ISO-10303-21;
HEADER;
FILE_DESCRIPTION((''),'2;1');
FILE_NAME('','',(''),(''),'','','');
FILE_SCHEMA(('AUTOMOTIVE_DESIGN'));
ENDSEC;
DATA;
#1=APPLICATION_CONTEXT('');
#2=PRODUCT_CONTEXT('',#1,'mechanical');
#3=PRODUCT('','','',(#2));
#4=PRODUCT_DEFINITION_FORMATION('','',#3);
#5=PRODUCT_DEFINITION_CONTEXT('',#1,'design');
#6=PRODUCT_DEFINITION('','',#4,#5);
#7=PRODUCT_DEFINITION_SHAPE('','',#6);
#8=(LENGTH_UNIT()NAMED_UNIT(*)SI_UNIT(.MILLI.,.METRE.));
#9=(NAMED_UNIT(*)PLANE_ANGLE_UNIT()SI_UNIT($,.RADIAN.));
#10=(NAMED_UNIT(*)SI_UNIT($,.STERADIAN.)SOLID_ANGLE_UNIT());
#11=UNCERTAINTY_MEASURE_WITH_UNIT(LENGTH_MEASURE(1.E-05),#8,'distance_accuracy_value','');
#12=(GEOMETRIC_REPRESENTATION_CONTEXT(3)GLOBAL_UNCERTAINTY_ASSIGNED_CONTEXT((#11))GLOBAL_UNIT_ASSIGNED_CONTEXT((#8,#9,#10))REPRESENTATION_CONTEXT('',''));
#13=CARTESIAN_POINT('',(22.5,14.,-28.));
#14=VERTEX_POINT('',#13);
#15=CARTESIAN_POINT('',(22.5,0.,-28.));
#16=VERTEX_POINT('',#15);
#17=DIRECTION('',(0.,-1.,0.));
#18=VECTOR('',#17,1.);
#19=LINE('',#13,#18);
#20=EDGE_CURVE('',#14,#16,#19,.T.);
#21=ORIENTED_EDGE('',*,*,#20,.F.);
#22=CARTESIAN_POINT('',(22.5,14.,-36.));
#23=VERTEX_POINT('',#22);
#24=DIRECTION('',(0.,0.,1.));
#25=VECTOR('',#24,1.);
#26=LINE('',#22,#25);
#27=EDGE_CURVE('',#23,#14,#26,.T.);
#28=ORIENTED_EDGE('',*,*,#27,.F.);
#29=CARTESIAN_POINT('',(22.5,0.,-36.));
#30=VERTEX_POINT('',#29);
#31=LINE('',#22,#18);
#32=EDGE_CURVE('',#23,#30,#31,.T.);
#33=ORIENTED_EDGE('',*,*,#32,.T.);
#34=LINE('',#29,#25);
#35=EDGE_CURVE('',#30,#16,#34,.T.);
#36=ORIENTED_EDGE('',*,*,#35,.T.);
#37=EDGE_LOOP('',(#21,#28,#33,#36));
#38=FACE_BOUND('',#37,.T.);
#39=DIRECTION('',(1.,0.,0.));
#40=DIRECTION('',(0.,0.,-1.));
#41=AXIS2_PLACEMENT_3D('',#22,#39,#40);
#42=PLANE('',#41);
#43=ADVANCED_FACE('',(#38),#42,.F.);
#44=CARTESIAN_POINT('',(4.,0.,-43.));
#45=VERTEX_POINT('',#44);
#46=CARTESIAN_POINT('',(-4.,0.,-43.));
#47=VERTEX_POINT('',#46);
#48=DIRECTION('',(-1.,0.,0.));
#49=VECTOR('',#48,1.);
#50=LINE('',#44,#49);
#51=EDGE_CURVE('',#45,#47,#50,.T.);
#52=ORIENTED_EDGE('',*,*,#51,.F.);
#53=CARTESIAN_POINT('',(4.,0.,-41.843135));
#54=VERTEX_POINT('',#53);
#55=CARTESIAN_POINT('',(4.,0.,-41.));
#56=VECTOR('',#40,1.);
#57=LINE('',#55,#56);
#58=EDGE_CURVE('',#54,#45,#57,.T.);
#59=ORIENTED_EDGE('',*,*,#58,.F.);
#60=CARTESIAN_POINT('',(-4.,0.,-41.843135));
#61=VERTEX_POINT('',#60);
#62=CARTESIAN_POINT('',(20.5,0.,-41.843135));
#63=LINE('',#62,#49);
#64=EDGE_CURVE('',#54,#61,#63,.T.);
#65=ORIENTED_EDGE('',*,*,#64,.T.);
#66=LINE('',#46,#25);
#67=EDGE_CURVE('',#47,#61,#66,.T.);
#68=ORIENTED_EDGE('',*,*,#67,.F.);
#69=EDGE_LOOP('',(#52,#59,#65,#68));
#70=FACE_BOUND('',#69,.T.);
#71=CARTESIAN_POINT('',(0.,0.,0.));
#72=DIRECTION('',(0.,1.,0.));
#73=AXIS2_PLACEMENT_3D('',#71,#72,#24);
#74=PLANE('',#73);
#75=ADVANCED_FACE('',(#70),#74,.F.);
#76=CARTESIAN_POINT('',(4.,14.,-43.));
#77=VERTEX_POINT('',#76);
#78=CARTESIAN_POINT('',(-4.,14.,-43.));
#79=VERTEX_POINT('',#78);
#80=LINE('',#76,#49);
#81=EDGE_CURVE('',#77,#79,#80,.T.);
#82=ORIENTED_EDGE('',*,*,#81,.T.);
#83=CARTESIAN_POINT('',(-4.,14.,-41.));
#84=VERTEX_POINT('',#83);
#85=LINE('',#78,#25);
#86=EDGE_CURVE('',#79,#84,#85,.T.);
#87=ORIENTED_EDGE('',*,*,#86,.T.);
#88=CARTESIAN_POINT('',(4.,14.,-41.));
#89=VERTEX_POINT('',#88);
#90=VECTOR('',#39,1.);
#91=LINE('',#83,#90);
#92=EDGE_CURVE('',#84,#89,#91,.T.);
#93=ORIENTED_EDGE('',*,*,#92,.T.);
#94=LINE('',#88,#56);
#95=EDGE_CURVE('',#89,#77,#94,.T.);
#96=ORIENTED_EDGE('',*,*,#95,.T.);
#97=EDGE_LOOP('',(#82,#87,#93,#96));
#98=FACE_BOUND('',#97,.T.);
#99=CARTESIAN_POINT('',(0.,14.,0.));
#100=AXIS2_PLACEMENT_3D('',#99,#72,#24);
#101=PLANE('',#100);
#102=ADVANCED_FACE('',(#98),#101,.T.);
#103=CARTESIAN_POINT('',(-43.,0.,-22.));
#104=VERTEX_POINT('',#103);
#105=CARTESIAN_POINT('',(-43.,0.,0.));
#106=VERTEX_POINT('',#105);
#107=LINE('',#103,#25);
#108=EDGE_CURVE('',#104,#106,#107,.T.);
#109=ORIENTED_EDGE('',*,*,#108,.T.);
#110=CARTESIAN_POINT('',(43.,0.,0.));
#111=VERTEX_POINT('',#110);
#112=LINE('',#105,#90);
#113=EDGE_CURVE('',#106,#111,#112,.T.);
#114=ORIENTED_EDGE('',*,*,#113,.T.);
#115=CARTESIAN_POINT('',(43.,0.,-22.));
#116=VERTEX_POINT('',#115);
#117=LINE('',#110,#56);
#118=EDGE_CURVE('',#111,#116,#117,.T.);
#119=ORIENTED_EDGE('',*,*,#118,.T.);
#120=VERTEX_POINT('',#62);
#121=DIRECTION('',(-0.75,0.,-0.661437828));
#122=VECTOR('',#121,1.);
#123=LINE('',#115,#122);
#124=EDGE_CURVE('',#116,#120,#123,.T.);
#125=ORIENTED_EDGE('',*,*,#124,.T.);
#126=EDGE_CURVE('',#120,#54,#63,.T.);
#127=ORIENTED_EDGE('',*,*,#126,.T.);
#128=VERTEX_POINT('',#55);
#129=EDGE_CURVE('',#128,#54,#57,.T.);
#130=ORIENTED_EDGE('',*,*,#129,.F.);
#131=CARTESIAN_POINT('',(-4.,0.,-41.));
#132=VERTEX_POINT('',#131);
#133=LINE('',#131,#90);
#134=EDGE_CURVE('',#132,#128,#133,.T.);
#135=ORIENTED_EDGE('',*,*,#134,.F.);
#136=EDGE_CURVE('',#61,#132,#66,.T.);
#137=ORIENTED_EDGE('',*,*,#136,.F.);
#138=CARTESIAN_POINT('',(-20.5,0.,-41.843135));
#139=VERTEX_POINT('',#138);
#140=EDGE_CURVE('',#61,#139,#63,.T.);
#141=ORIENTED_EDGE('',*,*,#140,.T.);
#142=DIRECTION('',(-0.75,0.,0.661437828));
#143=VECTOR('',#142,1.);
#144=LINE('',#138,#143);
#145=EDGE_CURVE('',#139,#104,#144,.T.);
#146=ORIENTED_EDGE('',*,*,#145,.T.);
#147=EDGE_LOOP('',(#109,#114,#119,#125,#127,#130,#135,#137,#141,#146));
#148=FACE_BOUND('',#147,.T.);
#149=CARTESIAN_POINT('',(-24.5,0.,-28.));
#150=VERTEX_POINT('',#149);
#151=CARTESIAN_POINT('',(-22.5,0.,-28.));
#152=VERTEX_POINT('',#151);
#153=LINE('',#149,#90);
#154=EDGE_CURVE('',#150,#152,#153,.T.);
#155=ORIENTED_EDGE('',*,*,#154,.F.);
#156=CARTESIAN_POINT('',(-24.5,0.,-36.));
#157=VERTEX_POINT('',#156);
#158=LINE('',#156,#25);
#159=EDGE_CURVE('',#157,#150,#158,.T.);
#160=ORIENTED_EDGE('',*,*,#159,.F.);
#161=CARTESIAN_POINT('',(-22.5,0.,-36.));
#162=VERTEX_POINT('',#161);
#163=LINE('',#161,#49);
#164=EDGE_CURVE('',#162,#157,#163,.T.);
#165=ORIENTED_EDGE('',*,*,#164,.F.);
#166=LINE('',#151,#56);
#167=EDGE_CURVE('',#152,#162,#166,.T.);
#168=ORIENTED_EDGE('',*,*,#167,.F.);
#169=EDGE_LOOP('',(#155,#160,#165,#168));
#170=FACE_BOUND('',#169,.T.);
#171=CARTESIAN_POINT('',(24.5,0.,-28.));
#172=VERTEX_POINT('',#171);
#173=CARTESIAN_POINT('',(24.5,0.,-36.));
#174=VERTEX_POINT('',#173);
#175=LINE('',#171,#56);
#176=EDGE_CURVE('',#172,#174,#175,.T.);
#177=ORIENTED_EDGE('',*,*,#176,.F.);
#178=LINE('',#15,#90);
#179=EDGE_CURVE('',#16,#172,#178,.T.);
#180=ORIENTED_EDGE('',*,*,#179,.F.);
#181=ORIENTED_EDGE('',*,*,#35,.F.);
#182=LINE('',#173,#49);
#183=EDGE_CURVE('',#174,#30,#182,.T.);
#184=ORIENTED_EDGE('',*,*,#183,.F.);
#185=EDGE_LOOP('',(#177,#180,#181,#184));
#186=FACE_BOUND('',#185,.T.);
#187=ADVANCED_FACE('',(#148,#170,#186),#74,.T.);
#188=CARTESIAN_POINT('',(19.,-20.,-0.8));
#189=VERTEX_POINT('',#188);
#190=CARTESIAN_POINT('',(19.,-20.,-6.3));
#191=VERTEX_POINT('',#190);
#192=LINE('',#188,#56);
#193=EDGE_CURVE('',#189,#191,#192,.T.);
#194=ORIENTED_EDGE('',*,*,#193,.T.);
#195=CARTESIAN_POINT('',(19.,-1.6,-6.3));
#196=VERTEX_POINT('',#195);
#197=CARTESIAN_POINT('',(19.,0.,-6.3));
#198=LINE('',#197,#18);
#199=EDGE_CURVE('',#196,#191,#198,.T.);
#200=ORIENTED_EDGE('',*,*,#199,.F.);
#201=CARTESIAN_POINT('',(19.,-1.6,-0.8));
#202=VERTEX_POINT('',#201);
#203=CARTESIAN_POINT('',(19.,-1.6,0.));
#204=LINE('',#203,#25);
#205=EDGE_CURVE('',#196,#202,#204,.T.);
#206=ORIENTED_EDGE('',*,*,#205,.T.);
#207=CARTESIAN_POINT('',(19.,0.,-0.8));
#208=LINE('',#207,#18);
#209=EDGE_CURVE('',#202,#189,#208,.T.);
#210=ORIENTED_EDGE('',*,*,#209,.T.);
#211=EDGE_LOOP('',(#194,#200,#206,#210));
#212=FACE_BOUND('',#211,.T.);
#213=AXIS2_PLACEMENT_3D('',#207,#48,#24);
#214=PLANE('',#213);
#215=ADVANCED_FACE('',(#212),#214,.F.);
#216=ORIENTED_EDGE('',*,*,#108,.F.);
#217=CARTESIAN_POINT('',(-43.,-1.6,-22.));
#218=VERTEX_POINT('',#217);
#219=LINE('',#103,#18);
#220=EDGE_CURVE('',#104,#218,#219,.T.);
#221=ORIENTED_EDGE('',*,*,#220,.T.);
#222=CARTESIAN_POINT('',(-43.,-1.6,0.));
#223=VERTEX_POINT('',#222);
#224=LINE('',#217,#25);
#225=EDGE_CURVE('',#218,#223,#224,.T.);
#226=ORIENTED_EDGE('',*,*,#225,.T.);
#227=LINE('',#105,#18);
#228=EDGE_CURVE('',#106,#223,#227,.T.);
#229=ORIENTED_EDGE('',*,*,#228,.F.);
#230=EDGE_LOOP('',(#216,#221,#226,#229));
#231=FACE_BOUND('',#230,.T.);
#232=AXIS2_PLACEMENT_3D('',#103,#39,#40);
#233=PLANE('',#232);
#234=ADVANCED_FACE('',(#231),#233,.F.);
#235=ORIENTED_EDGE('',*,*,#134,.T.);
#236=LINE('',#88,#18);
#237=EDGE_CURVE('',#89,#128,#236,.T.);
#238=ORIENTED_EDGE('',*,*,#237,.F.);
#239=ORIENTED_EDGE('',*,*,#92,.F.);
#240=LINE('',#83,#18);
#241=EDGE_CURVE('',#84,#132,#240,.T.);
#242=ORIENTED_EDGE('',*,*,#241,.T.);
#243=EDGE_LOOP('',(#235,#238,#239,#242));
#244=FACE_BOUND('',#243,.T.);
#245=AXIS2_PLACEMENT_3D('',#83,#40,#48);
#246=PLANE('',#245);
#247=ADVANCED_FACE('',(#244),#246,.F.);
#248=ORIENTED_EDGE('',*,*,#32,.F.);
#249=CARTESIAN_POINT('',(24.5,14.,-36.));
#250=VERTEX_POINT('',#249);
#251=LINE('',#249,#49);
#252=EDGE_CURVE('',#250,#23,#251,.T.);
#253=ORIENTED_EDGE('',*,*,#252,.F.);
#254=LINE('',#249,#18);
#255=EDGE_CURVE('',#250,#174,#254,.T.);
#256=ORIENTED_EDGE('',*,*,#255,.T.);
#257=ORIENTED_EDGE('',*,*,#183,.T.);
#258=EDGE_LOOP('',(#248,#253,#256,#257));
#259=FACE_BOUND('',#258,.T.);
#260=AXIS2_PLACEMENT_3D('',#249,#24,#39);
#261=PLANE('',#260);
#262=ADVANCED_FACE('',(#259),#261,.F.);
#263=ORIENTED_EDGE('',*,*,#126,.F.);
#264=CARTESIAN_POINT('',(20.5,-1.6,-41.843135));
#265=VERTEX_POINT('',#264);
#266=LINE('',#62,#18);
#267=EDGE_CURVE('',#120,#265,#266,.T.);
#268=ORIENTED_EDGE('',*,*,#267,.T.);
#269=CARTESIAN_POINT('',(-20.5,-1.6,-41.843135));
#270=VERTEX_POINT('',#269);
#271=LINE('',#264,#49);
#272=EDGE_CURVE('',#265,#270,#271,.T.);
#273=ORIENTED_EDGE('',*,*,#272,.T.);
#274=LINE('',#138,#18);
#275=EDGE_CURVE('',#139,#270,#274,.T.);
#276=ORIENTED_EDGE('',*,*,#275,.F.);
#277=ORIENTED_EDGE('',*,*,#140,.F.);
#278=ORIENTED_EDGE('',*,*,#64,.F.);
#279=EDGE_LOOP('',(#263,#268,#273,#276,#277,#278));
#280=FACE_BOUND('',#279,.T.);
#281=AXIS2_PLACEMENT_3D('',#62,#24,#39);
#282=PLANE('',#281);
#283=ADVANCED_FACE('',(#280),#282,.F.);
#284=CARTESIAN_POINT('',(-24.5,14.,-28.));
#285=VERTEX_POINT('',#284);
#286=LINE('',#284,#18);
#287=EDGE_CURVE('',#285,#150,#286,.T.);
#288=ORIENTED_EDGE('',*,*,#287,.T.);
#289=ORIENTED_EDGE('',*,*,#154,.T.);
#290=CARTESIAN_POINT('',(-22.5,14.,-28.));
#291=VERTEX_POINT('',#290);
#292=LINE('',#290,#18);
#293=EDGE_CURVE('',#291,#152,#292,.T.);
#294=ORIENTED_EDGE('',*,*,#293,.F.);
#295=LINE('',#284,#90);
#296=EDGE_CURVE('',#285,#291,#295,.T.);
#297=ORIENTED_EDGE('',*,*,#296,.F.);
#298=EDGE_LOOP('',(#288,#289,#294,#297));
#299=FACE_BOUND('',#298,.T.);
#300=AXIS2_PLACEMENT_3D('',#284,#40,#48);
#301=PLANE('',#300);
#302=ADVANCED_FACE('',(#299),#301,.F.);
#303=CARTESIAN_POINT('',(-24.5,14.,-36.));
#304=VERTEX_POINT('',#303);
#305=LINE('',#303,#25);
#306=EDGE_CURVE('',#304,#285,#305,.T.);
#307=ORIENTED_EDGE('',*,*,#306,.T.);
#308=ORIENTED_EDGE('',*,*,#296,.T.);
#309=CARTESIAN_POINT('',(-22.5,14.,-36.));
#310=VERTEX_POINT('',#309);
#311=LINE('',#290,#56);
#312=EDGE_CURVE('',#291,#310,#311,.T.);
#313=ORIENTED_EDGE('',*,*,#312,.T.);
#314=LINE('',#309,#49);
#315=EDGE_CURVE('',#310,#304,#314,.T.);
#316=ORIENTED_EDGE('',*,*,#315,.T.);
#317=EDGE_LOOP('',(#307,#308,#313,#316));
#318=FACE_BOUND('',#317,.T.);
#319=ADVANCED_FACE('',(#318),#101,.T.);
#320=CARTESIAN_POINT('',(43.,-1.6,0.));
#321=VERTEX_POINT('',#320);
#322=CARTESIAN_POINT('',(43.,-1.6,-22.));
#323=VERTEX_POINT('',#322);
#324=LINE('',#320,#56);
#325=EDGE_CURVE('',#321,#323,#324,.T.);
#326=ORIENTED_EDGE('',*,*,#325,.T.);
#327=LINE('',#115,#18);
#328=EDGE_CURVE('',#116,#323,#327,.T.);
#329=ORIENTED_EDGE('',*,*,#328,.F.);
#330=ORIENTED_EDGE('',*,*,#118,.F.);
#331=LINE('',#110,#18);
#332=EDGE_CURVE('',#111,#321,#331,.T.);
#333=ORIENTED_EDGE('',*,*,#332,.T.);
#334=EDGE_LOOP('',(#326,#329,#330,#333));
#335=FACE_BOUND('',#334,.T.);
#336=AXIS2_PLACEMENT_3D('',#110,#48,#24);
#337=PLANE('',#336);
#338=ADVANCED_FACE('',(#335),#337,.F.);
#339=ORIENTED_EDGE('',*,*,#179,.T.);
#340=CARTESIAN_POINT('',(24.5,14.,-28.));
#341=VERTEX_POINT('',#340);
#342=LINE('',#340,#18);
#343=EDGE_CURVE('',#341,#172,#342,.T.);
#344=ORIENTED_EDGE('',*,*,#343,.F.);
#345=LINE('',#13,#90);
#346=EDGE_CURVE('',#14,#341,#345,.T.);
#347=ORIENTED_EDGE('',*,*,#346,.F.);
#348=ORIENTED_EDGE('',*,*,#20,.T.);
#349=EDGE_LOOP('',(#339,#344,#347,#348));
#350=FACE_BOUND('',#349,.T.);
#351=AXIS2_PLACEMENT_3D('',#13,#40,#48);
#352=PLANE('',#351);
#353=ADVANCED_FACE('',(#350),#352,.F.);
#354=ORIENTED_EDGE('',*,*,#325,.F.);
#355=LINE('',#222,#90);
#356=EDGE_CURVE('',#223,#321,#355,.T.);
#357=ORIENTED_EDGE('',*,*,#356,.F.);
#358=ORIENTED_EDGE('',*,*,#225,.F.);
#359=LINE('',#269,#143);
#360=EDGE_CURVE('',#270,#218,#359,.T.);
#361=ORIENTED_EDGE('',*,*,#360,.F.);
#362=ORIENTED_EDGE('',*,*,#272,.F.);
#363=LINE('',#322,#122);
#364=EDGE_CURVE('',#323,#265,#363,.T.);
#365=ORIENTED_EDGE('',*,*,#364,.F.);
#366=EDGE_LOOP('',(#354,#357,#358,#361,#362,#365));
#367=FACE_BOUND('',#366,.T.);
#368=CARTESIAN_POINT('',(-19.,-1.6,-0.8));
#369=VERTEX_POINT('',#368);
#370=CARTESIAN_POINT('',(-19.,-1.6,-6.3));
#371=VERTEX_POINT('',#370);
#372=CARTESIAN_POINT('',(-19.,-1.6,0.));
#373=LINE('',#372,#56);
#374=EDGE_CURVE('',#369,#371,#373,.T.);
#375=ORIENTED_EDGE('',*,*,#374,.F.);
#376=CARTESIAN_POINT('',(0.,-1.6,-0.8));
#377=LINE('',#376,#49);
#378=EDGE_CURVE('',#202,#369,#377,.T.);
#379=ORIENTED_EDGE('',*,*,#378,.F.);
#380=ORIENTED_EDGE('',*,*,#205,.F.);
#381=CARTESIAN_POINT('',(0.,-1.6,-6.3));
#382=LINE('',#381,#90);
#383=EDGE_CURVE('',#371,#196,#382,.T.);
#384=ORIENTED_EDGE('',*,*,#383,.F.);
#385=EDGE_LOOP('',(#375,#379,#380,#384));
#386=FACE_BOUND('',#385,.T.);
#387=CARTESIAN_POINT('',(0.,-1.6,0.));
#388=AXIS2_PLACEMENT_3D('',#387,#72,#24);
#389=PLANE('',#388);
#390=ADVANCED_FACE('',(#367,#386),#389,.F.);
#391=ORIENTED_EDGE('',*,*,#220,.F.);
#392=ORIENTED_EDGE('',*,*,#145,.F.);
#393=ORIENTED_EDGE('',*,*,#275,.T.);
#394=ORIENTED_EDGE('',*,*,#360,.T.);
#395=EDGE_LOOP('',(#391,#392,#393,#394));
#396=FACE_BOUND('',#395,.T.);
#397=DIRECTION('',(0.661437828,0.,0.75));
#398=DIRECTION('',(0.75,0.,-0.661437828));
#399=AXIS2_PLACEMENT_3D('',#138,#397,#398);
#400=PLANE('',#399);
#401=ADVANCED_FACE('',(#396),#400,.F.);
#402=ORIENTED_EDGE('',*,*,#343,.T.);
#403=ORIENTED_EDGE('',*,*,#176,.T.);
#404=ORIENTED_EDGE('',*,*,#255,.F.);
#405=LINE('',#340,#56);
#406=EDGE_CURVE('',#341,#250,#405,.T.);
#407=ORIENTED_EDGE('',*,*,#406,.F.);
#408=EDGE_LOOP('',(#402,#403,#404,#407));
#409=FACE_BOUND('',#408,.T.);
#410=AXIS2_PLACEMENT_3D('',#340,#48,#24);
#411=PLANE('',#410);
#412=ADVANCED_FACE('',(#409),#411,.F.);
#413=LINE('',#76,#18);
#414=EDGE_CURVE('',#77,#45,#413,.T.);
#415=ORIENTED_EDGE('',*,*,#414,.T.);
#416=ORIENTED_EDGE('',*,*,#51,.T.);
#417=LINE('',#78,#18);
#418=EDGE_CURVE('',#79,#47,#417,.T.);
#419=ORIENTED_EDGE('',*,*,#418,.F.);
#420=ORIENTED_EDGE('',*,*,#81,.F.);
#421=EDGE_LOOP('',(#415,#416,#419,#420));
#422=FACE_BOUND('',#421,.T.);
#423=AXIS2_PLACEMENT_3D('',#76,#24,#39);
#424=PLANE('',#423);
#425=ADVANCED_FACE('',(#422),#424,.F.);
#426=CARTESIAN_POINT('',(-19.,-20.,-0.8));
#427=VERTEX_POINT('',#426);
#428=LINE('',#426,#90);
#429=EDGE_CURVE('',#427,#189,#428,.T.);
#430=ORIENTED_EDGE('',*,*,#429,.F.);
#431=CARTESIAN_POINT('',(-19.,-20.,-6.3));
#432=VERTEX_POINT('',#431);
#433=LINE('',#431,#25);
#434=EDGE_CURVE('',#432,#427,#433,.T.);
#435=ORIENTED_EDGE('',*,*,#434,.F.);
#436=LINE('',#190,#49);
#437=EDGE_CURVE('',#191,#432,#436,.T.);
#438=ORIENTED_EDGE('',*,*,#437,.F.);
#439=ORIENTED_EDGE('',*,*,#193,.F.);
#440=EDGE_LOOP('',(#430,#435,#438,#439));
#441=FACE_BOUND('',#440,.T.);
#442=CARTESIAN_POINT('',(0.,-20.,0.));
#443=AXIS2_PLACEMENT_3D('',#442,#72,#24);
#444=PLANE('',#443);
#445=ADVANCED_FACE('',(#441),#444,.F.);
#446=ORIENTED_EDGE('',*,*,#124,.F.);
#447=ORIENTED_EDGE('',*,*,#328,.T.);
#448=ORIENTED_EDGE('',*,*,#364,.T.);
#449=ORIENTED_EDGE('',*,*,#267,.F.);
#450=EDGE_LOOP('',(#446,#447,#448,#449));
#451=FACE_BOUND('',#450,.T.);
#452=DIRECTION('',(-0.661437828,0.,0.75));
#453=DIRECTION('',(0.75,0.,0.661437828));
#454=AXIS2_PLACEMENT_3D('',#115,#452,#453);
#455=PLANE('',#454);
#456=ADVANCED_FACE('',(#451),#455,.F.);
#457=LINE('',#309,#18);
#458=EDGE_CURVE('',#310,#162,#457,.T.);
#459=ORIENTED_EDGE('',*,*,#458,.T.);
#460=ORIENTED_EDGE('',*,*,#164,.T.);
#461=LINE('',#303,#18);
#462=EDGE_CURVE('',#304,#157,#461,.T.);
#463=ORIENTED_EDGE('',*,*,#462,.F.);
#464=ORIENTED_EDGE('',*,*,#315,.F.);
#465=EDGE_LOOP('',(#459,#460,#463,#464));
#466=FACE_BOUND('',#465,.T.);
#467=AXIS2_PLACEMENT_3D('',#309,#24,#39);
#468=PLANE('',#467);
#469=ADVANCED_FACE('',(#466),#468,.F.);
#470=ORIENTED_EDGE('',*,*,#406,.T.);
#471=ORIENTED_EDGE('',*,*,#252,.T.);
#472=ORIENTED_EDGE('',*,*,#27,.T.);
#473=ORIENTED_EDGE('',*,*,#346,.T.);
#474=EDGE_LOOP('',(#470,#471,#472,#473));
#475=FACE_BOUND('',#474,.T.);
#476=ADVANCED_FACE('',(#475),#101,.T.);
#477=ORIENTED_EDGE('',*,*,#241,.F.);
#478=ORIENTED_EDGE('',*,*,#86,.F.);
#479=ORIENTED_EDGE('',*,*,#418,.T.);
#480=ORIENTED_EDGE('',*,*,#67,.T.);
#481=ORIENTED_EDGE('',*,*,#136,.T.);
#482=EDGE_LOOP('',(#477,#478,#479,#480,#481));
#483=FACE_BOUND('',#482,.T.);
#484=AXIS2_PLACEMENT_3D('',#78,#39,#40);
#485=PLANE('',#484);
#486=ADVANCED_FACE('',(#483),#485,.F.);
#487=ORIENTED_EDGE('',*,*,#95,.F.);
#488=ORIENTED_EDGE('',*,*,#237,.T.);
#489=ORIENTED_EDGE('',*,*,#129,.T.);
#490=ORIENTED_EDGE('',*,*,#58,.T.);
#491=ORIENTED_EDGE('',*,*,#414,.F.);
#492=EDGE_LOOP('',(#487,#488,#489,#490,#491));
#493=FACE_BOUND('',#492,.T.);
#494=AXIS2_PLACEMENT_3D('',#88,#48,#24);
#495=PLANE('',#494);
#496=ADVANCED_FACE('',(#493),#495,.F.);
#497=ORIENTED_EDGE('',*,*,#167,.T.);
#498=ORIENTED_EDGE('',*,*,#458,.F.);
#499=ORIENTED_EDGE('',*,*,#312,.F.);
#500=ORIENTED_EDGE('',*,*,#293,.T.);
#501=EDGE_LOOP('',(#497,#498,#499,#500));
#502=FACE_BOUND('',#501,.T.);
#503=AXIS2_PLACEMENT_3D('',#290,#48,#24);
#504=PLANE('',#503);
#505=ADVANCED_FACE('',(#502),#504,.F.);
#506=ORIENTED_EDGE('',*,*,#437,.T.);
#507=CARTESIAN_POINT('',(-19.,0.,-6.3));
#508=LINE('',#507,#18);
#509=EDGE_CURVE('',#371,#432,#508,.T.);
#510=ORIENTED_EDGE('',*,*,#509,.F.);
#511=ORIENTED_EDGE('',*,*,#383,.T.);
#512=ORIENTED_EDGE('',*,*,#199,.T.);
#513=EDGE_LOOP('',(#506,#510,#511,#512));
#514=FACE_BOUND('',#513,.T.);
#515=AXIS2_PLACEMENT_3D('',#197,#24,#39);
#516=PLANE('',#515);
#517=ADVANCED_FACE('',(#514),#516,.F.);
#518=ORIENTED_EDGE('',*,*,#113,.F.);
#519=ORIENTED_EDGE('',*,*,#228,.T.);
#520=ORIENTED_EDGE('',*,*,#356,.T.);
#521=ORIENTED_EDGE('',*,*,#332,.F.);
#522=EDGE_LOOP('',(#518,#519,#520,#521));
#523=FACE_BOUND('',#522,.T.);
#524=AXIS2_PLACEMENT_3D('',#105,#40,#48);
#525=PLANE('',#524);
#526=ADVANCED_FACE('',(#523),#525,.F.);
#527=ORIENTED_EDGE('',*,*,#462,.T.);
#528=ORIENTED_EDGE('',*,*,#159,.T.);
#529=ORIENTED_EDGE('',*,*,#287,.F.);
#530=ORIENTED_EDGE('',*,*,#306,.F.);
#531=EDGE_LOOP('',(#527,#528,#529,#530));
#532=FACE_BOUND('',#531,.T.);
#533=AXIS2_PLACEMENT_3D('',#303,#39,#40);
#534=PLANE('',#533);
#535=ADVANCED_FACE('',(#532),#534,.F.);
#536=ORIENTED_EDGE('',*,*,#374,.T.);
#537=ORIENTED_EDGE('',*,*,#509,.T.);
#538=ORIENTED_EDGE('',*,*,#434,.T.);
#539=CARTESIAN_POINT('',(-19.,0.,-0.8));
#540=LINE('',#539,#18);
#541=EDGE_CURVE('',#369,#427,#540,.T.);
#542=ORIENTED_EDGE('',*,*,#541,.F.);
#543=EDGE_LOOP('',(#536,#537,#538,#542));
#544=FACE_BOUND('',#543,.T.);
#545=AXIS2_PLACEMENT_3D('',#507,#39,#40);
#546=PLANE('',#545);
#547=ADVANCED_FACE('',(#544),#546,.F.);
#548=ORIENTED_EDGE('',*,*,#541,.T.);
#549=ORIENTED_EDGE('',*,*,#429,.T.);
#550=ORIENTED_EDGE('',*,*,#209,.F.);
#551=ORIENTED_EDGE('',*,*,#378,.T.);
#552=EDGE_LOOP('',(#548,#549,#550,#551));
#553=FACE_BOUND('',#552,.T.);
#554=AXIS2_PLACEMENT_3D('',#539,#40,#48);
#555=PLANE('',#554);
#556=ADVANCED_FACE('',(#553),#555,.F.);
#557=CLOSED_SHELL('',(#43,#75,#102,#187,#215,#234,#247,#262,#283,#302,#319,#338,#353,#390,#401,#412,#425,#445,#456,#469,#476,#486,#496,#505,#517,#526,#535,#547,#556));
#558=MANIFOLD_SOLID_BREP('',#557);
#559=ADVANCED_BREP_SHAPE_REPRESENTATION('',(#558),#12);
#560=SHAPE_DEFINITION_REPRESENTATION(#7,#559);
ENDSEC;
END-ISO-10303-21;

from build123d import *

# Parameters (mm, degrees)
PCB_DEPTH                        = 1.6
SKETCH2_W                        = 38
SKETCH2_H                        = 5.5
J2_HEADER_AND_DUPONT_PLUGS_DEPTH = 20
SKETCH3_W                        = 2
SKETCH3_H                        = 8
TOF_CARRIER_LEFT_DEPTH           = 14
SKETCH4_W                        = 8
SKETCH4_H                        = 2
TOF_CARRIER_AHEAD_DEPTH          = 14
SKETCH5_W                        = 2
SKETCH5_H                        = 8
TOF_CARRIER_RIGHT_DEPTH          = 14


with BuildPart() as part:
    # Sketch1 → PCB (new body)
    with BuildSketch(Plane(origin=(0, -1.6, 0), x_dir=(1, 0, 0), z_dir=(0, 1, 0))):
        Polygon((-43, 0), (43, 0), (43, 22), (20.5, 41.843134833), (-20.5, 41.843134833), (-43, 22), align=None)
    extrude(amount=PCB_DEPTH)

    # Sketch2 → J2 Header And Dupont Plugs (add)
    with BuildSketch(Plane(origin=(0, -20, 0), x_dir=(1, 0, 0), z_dir=(0, 1, 0))):
        with Locations((0, 3.55)):
            Rectangle(SKETCH2_W, SKETCH2_H)
    extrude(amount=J2_HEADER_AND_DUPONT_PLUGS_DEPTH)

    # Sketch3 → ToF Carrier Left (add)
    with BuildSketch(Plane(origin=(0, 0, 0), x_dir=(1, 0, 0), z_dir=(0, 1, 0))):
        with Locations((-23.5, 32)):
            Rectangle(SKETCH3_W, SKETCH3_H)
    extrude(amount=TOF_CARRIER_LEFT_DEPTH)

    # Sketch4 → ToF Carrier Ahead (add)
    with BuildSketch(Plane(origin=(0, 0, 0), x_dir=(1, 0, 0), z_dir=(0, 1, 0))):
        with Locations((0, 42)):
            Rectangle(SKETCH4_W, SKETCH4_H)
    extrude(amount=TOF_CARRIER_AHEAD_DEPTH)

    # Sketch5 → ToF Carrier Right (add)
    with BuildSketch(Plane(origin=(0, 0, 0), x_dir=(1, 0, 0), z_dir=(0, 1, 0))):
        with Locations((23.5, 32)):
            Rectangle(SKETCH5_W, SKETCH5_H)
    extrude(amount=TOF_CARRIER_RIGHT_DEPTH)


solid = part.part
